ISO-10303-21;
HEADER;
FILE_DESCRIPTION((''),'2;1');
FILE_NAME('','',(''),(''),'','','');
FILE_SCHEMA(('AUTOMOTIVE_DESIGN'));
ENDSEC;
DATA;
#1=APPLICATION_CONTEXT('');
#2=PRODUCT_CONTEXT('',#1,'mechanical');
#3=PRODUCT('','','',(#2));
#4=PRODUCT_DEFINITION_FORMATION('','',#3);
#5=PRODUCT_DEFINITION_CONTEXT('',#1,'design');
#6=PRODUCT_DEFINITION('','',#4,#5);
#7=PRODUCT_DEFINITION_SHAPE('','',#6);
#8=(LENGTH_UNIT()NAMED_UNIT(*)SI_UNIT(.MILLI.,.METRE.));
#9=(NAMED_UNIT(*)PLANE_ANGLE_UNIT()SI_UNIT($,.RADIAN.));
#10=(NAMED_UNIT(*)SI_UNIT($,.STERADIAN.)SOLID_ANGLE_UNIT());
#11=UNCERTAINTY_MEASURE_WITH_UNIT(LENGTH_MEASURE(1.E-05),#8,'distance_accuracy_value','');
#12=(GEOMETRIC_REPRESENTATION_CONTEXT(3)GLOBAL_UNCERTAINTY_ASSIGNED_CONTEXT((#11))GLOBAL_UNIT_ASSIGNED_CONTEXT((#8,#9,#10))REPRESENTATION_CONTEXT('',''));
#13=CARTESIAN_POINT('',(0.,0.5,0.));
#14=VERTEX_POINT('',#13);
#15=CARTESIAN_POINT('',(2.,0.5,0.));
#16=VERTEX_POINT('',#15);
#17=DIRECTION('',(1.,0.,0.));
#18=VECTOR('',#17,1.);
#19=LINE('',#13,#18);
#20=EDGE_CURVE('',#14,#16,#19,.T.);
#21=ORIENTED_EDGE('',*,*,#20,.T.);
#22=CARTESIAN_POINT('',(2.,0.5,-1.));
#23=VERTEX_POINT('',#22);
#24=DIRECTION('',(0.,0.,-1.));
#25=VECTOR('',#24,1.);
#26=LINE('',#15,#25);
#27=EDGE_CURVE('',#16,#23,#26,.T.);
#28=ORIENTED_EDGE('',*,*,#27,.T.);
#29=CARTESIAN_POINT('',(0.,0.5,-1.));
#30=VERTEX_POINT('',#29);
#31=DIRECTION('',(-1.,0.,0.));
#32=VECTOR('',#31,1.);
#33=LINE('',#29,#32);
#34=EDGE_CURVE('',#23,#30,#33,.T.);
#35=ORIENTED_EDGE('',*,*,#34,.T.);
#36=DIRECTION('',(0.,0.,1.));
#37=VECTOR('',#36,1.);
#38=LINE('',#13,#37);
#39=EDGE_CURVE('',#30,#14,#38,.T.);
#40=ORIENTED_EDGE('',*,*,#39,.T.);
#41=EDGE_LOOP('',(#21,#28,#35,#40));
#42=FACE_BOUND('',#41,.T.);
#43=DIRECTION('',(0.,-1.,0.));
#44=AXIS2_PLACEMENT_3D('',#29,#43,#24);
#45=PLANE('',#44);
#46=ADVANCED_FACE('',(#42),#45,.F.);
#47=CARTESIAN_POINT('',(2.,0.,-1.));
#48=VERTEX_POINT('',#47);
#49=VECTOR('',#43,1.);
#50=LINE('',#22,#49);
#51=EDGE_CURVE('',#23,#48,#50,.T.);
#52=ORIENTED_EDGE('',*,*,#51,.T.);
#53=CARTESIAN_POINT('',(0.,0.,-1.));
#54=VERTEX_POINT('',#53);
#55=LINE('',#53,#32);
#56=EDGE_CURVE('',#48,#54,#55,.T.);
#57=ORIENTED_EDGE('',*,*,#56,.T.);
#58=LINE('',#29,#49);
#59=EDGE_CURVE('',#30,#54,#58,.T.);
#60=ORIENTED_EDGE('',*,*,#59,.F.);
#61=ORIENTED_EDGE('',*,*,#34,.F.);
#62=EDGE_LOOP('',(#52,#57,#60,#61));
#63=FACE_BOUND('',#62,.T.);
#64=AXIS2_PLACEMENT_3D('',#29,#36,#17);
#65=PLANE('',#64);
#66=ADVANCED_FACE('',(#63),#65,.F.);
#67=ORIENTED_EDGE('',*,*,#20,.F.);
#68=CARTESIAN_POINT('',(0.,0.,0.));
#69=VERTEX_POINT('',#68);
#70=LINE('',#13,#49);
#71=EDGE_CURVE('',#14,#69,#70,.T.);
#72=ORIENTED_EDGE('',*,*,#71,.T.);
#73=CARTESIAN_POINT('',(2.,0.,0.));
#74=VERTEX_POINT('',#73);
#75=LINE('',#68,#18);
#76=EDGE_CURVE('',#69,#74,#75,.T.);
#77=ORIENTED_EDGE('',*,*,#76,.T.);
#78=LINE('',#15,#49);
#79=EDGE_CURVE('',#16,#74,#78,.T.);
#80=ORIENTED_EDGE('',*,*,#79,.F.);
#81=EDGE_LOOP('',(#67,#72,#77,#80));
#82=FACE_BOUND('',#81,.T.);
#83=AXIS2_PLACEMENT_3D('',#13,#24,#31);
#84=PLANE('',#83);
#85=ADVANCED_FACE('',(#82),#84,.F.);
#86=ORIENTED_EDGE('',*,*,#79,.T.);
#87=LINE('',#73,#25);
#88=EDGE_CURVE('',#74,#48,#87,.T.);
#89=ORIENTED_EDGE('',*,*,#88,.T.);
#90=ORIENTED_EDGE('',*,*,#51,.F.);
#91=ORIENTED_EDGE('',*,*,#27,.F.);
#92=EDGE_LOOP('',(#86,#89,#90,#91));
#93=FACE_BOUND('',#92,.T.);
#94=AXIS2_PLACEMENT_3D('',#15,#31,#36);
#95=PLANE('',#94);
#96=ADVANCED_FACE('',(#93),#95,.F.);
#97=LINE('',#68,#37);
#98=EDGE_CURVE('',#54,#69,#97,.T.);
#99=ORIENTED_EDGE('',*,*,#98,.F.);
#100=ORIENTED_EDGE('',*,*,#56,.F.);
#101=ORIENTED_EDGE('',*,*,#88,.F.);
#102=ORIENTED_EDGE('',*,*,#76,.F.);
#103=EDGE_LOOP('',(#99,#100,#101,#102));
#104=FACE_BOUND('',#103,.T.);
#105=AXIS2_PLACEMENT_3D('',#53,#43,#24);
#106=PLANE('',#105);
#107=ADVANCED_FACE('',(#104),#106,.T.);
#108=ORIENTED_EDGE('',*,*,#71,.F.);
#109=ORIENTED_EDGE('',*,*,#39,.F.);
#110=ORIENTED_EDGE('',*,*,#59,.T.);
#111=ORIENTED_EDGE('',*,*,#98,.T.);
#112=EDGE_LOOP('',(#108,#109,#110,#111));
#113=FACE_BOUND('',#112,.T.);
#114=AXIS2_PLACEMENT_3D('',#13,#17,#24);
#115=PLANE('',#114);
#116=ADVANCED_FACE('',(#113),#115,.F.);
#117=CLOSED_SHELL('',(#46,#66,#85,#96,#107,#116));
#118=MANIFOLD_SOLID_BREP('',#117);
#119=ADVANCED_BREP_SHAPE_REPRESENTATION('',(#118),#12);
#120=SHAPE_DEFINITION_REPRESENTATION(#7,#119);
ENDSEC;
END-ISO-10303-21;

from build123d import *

# Parameters (mm, degrees)
ESQUISSE1_W      = 2
ESQUISSE1_H      = 1
EXTRUSION1_DEPTH = 0.5


with BuildPart() as part:
    # Esquisse1 → Extrusion1 (new body)
    with BuildSketch(Plane(origin=(0, 0, 0), x_dir=(1, 0, 0), z_dir=(0, 1, 0))):
        with Locations((1, 0.5)):
            Rectangle(ESQUISSE1_W, ESQUISSE1_H)
    extrude(amount=EXTRUSION1_DEPTH)


solid = part.part
